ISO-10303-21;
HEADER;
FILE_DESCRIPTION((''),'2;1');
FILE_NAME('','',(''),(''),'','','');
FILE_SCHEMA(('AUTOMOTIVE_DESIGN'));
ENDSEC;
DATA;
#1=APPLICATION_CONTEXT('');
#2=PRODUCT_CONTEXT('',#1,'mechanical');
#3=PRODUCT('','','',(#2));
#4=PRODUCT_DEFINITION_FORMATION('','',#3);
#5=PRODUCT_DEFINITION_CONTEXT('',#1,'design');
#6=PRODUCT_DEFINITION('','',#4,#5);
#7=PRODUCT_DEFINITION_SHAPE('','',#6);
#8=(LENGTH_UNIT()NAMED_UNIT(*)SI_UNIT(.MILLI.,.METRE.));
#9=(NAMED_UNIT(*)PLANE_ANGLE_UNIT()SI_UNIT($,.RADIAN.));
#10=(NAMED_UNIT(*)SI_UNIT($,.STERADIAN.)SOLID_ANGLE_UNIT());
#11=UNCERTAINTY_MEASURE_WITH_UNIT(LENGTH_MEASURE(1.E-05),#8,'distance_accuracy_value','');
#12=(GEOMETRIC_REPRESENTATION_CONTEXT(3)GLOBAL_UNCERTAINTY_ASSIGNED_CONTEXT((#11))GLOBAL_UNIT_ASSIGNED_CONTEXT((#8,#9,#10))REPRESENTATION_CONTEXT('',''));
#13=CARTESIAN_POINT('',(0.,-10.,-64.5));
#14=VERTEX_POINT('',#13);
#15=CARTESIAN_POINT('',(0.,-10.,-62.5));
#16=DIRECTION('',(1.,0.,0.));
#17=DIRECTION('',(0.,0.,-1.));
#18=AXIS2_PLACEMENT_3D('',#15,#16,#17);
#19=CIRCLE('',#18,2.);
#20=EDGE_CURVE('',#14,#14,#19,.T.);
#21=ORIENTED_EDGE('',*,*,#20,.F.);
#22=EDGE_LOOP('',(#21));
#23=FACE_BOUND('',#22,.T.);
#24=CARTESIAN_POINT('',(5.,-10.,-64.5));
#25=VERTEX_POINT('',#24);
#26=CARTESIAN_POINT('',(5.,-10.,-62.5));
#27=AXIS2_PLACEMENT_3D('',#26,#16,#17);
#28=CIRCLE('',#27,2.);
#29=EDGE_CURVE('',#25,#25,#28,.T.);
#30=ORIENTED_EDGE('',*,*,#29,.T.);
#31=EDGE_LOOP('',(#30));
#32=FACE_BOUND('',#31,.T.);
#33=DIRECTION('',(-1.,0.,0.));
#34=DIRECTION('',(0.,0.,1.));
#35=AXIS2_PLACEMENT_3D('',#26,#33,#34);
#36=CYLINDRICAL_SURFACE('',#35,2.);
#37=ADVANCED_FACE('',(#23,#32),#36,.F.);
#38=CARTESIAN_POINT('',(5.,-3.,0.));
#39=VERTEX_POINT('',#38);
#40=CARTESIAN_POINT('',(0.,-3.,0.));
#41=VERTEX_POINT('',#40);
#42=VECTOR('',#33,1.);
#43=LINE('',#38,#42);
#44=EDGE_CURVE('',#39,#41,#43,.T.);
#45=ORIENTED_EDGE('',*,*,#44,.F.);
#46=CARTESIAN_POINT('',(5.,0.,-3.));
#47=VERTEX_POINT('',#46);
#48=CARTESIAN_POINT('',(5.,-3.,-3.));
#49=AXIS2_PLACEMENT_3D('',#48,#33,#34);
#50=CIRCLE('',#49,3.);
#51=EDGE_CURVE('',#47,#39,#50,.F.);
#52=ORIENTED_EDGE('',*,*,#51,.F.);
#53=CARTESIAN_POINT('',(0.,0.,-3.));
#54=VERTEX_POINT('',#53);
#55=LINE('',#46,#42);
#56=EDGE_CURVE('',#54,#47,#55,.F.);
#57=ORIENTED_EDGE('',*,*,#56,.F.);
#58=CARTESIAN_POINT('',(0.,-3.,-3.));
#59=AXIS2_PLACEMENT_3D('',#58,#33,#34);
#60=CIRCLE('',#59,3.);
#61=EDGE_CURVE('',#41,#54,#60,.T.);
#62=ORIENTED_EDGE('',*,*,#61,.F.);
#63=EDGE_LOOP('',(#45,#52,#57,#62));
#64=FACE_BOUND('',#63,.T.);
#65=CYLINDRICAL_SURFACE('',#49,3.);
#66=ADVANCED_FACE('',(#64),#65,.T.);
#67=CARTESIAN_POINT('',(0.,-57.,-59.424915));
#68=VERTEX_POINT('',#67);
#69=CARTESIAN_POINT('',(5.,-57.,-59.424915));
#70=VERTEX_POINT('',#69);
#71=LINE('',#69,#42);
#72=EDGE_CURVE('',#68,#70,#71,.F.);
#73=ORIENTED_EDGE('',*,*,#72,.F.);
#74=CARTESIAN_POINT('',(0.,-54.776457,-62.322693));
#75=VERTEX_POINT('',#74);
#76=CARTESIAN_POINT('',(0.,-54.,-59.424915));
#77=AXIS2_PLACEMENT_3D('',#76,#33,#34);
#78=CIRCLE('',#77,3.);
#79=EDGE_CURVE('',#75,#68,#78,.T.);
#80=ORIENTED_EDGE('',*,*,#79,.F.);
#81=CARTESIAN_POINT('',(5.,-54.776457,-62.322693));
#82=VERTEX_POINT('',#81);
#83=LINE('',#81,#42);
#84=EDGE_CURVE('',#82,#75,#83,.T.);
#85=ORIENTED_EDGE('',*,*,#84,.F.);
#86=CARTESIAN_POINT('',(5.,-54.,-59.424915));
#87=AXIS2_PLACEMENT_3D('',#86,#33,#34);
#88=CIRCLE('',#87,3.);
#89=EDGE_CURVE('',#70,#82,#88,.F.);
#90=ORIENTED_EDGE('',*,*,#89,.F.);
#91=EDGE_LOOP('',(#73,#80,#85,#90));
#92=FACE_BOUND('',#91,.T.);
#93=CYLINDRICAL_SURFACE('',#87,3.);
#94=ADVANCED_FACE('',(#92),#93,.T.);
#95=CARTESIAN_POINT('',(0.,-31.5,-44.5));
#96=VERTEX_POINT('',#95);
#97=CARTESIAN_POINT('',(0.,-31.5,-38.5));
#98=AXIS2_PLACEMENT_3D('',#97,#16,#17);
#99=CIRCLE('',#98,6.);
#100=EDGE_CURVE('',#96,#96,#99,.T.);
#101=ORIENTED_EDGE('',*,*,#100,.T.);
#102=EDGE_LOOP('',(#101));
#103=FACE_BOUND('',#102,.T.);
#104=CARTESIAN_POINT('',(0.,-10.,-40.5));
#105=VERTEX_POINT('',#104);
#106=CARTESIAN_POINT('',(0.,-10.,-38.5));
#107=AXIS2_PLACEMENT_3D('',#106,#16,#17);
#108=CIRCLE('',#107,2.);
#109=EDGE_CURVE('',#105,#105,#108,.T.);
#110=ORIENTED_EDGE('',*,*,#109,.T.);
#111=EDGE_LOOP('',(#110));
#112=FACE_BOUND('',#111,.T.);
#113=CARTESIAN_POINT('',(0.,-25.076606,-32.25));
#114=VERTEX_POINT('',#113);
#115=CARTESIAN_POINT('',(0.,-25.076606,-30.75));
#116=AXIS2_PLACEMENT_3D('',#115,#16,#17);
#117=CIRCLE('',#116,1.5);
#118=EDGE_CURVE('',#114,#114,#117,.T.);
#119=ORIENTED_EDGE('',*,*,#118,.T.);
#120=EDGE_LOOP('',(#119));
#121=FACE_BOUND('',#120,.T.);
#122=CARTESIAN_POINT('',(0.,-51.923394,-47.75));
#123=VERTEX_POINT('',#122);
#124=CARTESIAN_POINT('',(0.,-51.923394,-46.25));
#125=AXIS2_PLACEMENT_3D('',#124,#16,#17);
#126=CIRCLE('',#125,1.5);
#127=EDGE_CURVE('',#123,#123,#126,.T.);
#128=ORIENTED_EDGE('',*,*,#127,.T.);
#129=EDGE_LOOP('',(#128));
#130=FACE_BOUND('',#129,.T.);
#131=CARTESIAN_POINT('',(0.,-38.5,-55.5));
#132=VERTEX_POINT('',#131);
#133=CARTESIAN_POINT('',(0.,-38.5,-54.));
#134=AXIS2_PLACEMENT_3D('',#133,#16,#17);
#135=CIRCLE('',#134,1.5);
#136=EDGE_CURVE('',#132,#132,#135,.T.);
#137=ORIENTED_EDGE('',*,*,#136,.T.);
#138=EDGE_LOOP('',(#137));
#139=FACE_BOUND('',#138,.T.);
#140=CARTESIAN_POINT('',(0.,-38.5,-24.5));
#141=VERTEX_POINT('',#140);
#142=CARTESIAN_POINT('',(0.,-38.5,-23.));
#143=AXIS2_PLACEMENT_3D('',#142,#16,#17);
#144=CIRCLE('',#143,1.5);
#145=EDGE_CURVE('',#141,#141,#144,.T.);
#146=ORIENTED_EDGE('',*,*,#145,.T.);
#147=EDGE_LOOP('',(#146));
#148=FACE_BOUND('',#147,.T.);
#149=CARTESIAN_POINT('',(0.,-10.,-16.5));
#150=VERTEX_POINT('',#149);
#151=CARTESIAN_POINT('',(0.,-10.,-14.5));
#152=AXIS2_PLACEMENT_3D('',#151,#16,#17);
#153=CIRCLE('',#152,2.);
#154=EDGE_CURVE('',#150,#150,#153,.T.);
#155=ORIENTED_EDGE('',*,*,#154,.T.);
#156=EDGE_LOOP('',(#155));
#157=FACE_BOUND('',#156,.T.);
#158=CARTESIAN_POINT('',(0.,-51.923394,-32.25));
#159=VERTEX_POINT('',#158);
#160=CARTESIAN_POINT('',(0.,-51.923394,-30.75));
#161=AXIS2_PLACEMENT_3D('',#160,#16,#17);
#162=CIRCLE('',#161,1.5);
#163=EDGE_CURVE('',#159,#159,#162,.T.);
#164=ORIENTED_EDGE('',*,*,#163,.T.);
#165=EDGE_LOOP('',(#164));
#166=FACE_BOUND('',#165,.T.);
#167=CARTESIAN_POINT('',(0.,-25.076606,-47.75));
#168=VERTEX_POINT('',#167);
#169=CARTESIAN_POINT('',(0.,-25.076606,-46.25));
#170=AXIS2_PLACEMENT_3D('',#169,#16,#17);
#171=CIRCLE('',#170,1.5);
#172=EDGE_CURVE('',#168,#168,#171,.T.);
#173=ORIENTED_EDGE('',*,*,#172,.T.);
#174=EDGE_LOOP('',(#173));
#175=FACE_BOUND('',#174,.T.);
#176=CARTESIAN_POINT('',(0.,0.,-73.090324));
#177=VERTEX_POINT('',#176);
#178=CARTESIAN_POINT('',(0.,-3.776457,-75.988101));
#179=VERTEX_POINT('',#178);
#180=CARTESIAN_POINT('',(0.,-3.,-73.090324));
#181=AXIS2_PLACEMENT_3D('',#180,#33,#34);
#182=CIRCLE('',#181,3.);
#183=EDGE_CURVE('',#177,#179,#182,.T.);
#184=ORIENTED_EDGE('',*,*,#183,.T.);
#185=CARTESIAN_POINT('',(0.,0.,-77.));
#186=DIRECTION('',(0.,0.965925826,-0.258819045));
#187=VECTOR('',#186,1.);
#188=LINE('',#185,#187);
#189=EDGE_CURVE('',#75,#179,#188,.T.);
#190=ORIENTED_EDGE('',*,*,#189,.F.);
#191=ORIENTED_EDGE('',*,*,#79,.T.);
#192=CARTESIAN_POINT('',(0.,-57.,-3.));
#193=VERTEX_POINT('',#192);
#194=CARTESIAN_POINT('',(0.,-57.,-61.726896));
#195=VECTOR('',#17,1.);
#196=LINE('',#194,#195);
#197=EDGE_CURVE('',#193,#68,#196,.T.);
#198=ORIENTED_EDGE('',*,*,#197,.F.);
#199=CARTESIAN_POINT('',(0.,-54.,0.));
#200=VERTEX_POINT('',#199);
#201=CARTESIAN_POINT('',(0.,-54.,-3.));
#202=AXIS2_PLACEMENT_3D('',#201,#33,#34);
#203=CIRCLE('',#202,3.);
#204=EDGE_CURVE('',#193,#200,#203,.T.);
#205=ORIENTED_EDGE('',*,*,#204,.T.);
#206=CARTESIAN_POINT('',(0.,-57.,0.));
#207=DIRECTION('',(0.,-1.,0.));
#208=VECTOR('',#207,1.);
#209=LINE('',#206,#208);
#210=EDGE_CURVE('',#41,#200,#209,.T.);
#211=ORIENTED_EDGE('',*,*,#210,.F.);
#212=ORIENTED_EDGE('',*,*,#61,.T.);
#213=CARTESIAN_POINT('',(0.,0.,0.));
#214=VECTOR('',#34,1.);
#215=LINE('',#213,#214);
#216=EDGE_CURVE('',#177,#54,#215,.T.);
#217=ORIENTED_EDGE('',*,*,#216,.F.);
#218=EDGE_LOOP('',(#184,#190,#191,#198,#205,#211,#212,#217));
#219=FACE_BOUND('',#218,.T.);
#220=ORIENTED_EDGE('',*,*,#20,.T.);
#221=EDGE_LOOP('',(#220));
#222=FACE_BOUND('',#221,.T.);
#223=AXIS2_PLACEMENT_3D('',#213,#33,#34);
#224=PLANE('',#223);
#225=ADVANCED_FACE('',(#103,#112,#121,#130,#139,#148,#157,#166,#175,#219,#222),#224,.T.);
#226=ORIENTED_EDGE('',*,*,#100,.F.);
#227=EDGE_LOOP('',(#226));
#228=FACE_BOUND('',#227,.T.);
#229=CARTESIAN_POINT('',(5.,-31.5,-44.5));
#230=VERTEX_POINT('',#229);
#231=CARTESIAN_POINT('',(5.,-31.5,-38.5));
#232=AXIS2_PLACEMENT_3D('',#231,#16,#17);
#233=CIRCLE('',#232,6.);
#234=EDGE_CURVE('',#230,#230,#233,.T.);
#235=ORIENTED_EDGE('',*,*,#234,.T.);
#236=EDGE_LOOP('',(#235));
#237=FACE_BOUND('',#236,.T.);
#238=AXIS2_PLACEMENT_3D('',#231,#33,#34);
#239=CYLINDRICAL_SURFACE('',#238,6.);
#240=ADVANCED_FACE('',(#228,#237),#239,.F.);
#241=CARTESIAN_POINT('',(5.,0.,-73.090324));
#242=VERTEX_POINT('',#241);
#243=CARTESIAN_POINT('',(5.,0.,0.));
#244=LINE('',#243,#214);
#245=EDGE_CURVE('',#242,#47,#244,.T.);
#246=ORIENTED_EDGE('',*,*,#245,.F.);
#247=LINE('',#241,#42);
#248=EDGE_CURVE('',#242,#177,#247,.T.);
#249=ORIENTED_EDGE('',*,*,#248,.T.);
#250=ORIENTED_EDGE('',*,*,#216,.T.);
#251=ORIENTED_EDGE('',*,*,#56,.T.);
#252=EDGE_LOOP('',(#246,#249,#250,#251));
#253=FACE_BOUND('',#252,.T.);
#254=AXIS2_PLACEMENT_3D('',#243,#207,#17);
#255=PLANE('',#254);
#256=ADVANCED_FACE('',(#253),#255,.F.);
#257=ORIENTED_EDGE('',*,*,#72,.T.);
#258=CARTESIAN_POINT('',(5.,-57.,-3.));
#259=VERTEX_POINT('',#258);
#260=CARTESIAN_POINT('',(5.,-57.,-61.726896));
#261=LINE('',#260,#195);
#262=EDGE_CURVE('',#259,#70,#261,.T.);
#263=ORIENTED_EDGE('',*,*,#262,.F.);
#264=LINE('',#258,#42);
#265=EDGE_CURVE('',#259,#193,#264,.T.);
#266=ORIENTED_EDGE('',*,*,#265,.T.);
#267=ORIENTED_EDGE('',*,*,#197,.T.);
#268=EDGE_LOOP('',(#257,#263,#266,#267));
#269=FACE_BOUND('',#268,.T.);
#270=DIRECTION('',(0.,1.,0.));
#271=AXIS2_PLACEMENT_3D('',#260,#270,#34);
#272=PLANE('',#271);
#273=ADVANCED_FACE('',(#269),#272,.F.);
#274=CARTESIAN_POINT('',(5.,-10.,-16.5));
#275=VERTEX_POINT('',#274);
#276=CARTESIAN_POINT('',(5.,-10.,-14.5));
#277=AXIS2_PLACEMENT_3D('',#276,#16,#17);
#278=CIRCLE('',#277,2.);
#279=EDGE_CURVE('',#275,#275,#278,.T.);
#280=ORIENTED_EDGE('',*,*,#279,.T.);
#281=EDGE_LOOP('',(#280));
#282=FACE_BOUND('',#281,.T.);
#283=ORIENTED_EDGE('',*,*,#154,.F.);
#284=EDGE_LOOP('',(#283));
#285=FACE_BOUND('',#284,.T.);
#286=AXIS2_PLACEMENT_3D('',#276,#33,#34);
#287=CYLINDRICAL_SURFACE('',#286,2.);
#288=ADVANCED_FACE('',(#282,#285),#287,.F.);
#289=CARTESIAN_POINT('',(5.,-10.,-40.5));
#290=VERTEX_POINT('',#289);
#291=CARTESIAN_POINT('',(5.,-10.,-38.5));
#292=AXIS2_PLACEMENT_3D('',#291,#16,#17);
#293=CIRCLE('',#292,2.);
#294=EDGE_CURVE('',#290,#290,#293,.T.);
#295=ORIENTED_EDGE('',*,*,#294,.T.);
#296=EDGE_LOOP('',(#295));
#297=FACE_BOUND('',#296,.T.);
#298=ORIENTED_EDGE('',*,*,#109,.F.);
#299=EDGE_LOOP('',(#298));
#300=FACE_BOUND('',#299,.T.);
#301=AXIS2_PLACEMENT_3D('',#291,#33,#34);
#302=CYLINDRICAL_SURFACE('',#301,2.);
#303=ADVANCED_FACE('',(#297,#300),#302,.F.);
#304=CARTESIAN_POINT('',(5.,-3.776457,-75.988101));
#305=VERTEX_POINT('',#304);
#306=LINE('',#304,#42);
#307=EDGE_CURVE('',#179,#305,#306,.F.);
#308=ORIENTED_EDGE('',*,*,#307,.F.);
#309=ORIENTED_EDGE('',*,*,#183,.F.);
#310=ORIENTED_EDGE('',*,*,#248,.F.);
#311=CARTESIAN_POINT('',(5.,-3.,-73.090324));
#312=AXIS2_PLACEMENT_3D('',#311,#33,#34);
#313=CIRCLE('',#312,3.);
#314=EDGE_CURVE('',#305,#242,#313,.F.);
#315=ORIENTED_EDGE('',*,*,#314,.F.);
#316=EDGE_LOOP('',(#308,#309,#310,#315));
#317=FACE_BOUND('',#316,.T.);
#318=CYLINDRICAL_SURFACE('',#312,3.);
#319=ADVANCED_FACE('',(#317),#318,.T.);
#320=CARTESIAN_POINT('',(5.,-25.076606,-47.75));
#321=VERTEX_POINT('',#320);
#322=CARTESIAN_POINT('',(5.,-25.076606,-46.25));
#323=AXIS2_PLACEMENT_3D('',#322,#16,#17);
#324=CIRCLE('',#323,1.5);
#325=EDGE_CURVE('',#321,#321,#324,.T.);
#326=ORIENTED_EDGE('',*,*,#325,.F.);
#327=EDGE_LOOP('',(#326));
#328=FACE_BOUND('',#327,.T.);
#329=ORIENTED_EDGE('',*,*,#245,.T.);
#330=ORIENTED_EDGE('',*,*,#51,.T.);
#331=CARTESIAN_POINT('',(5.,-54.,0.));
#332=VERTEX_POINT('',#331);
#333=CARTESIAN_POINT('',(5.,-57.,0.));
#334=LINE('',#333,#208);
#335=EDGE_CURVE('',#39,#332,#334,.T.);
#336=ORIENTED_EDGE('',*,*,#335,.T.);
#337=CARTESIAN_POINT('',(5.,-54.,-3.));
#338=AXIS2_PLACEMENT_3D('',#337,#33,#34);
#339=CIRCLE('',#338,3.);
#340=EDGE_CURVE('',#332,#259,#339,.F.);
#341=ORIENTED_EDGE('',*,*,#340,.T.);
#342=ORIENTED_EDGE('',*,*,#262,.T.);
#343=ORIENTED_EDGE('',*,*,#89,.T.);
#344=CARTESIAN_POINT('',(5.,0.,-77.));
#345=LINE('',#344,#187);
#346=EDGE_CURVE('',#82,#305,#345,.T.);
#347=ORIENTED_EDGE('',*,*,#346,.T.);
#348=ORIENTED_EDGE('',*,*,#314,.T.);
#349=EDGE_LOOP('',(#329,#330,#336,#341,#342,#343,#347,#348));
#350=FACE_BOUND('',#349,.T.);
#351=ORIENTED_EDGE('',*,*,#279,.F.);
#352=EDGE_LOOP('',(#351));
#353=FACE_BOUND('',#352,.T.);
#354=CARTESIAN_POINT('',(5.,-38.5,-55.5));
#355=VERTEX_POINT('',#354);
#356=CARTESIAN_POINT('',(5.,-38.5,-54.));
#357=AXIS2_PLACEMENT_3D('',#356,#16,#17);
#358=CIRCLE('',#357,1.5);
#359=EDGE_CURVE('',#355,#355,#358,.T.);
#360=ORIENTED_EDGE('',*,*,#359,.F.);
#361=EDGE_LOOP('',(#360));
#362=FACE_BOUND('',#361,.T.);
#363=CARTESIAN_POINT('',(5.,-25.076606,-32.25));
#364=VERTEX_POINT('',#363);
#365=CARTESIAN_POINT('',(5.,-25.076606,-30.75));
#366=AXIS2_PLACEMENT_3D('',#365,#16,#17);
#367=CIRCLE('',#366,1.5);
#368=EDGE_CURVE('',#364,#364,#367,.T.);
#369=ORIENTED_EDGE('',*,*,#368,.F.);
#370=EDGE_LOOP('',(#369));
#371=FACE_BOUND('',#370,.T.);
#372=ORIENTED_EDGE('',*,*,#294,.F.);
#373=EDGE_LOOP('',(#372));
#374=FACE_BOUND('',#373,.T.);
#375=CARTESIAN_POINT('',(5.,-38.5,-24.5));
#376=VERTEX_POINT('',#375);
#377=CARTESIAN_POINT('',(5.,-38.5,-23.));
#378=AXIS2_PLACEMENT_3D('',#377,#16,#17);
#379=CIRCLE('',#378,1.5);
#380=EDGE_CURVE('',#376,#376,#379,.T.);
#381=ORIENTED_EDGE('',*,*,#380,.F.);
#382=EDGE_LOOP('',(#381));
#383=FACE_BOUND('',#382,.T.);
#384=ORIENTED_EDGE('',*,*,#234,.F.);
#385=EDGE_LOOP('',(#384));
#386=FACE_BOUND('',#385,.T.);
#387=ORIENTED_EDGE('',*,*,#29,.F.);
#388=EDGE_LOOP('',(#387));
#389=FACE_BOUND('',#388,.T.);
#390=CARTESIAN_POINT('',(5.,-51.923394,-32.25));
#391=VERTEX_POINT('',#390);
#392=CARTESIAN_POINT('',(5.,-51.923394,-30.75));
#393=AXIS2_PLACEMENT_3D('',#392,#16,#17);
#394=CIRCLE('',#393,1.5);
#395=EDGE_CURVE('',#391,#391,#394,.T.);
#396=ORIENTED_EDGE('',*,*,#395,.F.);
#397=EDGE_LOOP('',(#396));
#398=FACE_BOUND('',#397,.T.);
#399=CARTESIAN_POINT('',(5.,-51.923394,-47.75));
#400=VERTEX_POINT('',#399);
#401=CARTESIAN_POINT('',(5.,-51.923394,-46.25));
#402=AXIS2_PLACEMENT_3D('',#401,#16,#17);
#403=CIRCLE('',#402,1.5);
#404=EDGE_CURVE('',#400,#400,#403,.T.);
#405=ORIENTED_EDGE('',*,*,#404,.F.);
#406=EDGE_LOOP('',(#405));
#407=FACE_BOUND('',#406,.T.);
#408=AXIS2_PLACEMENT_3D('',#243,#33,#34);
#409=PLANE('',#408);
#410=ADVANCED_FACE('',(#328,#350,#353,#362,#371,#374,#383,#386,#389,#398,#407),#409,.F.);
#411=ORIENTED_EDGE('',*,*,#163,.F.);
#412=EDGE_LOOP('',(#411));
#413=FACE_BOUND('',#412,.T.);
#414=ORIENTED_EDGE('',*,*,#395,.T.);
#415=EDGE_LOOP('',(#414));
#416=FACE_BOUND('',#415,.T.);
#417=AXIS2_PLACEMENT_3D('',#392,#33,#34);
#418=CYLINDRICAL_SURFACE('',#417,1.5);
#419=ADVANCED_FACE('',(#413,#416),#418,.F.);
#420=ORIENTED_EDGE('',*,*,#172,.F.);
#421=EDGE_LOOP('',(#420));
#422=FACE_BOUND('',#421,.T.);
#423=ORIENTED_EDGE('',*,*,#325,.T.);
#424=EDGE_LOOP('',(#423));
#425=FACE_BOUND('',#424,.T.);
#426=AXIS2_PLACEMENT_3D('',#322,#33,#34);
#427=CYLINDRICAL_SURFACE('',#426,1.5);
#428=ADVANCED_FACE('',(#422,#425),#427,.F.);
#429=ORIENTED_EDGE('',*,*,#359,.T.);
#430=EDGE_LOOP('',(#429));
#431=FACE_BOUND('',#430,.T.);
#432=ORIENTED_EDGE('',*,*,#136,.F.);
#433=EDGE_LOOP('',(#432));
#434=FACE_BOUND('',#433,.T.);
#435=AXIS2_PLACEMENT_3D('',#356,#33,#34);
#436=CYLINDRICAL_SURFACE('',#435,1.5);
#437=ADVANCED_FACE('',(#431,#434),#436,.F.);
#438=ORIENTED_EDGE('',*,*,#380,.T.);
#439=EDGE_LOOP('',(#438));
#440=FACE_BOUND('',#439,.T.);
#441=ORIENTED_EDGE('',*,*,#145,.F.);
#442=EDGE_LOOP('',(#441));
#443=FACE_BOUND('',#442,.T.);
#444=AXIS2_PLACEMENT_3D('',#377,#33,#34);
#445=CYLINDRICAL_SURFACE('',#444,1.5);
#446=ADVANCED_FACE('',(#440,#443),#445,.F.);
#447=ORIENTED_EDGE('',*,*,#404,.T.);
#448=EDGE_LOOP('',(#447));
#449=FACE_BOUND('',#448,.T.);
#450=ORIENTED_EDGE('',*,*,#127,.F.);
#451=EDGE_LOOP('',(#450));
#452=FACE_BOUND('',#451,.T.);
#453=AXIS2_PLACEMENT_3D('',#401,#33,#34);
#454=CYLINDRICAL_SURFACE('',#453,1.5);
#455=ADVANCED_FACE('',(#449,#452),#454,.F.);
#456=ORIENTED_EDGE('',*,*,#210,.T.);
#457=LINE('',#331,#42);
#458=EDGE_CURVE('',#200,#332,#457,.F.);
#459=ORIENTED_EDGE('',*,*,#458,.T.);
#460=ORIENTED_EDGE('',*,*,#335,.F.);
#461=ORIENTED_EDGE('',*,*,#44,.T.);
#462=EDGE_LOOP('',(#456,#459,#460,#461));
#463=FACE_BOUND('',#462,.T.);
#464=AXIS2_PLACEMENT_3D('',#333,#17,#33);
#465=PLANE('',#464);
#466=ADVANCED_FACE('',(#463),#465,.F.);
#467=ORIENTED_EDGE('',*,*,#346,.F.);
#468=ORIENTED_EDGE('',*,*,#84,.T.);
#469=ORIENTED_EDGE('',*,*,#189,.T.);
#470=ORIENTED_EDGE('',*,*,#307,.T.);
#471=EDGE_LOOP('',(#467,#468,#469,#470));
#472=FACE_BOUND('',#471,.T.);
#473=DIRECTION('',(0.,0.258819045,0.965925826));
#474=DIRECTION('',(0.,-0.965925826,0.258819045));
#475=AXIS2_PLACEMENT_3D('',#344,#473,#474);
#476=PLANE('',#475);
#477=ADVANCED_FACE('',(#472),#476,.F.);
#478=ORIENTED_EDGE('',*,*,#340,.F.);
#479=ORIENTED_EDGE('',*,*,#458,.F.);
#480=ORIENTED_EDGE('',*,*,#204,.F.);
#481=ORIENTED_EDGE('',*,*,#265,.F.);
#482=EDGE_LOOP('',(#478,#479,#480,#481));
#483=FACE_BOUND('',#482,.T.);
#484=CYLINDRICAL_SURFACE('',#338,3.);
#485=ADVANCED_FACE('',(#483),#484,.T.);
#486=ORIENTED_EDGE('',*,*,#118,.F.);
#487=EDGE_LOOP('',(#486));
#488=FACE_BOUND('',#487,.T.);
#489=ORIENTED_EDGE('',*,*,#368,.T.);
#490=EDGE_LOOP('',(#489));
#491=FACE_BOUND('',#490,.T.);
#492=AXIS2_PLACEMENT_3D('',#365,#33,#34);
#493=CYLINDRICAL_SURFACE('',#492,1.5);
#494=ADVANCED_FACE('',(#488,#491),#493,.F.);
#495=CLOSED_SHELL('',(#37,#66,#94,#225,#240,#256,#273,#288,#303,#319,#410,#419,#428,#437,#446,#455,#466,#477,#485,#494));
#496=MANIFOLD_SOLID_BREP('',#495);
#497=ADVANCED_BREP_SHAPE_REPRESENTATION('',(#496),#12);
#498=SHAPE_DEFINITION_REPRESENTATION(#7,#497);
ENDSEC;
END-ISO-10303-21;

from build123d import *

# Parameters (mm, degrees)
SKETCH1_R           = 6
SKETCH1_R_2         = 2
SKETCH1_R_3         = 1.5
BOSS_EXTRUDE1_DEPTH = 5
FILLET1_R           = 3


with BuildPart() as part:
    # Sketch1 → Boss-Extrude1 (new body)
    with BuildSketch(Plane(origin=(0, 0, 0), x_dir=(0, 0, -1), z_dir=(1, 0, 0))):
        Polygon((0, 0), (77, 0), (61.726896031, -57), (0, -57), align=None)
        with Locations((38.5, -31.5)):
            Circle(SKETCH1_R, mode=Mode.SUBTRACT)
        with Locations((38.5, -10)):
            Circle(SKETCH1_R_2, mode=Mode.SUBTRACT)
        with Locations((62.5, -10)):
            Circle(SKETCH1_R_2, mode=Mode.SUBTRACT)
        with Locations((14.5, -10)):
            Circle(SKETCH1_R_2, mode=Mode.SUBTRACT)
        with Locations((23, -38.5)):
            Circle(SKETCH1_R_3, mode=Mode.SUBTRACT)
        with Locations((30.75, -25.076606241)):
            Circle(SKETCH1_R_3, mode=Mode.SUBTRACT)
        with Locations((46.25, -25.076606241)):
            Circle(SKETCH1_R_3, mode=Mode.SUBTRACT)
        with Locations((54, -38.5)):
            Circle(SKETCH1_R_3, mode=Mode.SUBTRACT)
        with Locations((46.25, -51.923393759)):
            Circle(SKETCH1_R_3, mode=Mode.SUBTRACT)
        with Locations((30.75, -51.923393759)):
            Circle(SKETCH1_R_3, mode=Mode.SUBTRACT)
    extrude(amount=BOSS_EXTRUDE1_DEPTH)

    # Fillet1
    fillet1_edges = [part.edges().sort_by_distance(p)[0] for p in [
        (2.5, 0, 0),
        (2.5, 0, -77),
        (2.5, -57, -61.726896031),
        (2.5, -57, 0),
    ]]
    fillet(fillet1_edges, radius=FILLET1_R)


solid = part.part
